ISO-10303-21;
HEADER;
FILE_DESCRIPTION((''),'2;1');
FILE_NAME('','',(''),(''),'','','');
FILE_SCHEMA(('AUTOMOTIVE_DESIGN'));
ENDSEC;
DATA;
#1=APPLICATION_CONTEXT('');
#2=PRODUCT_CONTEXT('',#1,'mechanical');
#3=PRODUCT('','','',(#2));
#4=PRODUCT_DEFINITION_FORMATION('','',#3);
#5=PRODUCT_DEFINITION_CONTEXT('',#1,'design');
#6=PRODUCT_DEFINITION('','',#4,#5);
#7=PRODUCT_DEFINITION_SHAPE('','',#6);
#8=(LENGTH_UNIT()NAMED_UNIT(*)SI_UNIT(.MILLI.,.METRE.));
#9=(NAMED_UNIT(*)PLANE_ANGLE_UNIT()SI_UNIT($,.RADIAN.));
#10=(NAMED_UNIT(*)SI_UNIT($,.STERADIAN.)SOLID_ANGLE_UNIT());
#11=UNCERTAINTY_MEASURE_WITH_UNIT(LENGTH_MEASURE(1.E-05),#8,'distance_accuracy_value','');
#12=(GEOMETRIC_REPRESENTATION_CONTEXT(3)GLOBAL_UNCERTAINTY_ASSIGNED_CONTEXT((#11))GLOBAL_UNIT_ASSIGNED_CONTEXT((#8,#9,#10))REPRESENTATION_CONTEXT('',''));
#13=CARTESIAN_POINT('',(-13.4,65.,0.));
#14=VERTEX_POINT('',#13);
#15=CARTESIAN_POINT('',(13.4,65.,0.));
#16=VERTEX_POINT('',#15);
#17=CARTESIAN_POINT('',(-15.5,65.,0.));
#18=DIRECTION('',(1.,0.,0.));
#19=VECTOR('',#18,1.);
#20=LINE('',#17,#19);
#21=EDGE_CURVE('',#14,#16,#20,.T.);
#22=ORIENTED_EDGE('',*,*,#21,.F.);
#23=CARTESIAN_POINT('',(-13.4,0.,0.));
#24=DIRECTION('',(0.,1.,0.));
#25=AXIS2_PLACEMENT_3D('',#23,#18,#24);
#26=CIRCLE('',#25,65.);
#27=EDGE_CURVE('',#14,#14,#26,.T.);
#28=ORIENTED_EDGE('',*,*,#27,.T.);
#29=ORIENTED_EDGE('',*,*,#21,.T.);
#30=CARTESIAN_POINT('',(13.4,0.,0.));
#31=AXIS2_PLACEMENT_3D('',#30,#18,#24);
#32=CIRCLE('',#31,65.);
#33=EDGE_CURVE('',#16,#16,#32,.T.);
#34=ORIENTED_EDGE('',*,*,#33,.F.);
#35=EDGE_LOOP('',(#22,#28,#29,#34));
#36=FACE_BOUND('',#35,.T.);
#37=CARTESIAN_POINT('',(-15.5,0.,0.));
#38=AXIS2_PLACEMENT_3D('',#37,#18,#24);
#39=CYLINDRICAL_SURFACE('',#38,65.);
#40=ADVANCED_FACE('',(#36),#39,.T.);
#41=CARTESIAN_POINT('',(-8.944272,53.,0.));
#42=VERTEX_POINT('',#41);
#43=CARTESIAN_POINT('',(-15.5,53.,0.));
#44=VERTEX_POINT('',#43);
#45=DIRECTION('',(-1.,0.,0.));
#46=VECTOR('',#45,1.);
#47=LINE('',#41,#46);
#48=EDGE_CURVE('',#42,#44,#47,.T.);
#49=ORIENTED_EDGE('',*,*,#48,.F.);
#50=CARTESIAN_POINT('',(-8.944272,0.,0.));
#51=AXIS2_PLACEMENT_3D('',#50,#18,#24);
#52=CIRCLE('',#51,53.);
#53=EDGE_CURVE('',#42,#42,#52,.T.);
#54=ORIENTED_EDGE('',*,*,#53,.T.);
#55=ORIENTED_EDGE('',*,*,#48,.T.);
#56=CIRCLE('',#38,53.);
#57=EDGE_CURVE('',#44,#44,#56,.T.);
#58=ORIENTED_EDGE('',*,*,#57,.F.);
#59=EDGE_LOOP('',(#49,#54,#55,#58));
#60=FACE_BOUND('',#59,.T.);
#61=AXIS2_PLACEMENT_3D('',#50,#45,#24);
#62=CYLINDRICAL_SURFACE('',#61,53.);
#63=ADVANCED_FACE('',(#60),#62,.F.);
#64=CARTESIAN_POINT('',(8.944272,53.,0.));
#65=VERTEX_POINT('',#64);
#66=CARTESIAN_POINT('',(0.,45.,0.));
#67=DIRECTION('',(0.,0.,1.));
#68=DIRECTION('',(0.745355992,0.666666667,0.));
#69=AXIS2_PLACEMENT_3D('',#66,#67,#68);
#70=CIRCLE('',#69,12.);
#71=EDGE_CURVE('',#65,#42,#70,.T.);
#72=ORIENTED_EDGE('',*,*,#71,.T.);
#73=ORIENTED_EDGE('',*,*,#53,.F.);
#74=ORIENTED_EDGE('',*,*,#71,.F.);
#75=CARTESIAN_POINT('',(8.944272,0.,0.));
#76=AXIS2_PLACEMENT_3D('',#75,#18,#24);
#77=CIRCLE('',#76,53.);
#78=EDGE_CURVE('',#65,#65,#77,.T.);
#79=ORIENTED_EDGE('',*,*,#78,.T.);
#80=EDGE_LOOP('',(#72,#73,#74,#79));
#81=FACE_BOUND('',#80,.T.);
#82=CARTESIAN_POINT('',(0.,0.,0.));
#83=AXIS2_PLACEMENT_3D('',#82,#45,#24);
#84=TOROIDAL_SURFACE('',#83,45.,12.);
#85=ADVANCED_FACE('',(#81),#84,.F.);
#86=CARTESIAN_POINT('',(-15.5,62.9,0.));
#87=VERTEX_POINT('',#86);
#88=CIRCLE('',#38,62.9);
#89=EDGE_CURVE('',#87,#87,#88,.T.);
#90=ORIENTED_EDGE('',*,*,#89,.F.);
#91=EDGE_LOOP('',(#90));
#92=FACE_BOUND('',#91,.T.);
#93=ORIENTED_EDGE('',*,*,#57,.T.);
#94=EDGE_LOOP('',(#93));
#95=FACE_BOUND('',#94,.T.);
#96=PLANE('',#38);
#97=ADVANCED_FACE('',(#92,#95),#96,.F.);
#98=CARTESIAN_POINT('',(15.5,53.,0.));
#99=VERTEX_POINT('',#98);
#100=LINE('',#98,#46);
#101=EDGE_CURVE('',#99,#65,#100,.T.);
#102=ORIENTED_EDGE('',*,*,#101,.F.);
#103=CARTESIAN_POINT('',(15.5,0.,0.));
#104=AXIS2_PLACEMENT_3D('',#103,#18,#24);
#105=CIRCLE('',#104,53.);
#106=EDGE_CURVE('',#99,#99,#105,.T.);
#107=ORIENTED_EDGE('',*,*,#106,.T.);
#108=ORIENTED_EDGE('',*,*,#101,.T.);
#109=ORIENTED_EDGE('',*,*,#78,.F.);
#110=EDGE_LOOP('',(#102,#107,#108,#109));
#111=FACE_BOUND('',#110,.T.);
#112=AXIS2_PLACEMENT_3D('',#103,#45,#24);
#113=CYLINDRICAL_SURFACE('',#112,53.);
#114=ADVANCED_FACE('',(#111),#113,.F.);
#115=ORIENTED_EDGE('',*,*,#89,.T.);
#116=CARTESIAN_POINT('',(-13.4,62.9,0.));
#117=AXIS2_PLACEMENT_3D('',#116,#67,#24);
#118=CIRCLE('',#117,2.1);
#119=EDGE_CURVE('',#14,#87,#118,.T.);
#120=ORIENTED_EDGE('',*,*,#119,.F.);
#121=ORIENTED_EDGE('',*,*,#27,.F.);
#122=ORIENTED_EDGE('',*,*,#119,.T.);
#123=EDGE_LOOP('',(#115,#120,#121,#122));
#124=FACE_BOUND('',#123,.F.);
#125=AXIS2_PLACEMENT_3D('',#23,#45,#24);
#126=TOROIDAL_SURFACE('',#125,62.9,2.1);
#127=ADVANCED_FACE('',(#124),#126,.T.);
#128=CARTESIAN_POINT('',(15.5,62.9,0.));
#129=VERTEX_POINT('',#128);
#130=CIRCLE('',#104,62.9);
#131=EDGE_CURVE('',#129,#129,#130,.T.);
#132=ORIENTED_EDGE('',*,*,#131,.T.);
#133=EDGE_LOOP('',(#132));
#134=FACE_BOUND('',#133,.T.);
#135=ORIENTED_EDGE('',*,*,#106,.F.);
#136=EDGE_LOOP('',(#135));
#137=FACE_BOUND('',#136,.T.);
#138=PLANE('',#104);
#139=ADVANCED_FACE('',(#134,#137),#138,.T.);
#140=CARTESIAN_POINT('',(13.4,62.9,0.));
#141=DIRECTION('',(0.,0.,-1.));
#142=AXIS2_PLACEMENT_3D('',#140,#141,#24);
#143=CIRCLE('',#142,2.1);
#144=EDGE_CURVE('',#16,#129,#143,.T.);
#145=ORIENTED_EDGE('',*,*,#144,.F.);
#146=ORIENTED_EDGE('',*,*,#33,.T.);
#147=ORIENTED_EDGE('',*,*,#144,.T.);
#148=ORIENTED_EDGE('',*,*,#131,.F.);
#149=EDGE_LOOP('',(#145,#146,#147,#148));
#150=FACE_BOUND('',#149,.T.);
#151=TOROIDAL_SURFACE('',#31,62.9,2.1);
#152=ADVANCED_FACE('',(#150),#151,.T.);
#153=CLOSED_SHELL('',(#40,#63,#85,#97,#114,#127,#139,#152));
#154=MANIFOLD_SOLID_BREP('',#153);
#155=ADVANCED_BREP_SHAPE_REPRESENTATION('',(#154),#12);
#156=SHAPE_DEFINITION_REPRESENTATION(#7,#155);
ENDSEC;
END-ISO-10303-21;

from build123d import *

# Parameters (mm, degrees)
FILLET1_R = 2.1


with BuildPart() as part:
    # Sketch1 → Revolve1 (revolve)
    with BuildSketch(Plane.XY):
        with BuildLine():
            Line((-15.5, 65), (15.5, 65))
            Line((15.5, 65), (15.5, 53))
            Line((15.5, 53), (8.94427191, 53))
            ThreePointArc((8.94427191, 53), (0, 57), (-8.94427191, 53))
            Line((-8.94427191, 53), (-15.5, 53))
            Line((-15.5, 53), (-15.5, 65))
        make_face()
    revolve(axis=Axis((-20.252619606, 0, 0), (1, 0, 0)))

    # Fillet1
    fillet1_edges = [part.edges().sort_by_distance(p)[0] for p in [
        (-15.5, -65, 0),
        (15.5, -65, 0),
    ]]
    fillet(fillet1_edges, radius=FILLET1_R)


solid = part.part
